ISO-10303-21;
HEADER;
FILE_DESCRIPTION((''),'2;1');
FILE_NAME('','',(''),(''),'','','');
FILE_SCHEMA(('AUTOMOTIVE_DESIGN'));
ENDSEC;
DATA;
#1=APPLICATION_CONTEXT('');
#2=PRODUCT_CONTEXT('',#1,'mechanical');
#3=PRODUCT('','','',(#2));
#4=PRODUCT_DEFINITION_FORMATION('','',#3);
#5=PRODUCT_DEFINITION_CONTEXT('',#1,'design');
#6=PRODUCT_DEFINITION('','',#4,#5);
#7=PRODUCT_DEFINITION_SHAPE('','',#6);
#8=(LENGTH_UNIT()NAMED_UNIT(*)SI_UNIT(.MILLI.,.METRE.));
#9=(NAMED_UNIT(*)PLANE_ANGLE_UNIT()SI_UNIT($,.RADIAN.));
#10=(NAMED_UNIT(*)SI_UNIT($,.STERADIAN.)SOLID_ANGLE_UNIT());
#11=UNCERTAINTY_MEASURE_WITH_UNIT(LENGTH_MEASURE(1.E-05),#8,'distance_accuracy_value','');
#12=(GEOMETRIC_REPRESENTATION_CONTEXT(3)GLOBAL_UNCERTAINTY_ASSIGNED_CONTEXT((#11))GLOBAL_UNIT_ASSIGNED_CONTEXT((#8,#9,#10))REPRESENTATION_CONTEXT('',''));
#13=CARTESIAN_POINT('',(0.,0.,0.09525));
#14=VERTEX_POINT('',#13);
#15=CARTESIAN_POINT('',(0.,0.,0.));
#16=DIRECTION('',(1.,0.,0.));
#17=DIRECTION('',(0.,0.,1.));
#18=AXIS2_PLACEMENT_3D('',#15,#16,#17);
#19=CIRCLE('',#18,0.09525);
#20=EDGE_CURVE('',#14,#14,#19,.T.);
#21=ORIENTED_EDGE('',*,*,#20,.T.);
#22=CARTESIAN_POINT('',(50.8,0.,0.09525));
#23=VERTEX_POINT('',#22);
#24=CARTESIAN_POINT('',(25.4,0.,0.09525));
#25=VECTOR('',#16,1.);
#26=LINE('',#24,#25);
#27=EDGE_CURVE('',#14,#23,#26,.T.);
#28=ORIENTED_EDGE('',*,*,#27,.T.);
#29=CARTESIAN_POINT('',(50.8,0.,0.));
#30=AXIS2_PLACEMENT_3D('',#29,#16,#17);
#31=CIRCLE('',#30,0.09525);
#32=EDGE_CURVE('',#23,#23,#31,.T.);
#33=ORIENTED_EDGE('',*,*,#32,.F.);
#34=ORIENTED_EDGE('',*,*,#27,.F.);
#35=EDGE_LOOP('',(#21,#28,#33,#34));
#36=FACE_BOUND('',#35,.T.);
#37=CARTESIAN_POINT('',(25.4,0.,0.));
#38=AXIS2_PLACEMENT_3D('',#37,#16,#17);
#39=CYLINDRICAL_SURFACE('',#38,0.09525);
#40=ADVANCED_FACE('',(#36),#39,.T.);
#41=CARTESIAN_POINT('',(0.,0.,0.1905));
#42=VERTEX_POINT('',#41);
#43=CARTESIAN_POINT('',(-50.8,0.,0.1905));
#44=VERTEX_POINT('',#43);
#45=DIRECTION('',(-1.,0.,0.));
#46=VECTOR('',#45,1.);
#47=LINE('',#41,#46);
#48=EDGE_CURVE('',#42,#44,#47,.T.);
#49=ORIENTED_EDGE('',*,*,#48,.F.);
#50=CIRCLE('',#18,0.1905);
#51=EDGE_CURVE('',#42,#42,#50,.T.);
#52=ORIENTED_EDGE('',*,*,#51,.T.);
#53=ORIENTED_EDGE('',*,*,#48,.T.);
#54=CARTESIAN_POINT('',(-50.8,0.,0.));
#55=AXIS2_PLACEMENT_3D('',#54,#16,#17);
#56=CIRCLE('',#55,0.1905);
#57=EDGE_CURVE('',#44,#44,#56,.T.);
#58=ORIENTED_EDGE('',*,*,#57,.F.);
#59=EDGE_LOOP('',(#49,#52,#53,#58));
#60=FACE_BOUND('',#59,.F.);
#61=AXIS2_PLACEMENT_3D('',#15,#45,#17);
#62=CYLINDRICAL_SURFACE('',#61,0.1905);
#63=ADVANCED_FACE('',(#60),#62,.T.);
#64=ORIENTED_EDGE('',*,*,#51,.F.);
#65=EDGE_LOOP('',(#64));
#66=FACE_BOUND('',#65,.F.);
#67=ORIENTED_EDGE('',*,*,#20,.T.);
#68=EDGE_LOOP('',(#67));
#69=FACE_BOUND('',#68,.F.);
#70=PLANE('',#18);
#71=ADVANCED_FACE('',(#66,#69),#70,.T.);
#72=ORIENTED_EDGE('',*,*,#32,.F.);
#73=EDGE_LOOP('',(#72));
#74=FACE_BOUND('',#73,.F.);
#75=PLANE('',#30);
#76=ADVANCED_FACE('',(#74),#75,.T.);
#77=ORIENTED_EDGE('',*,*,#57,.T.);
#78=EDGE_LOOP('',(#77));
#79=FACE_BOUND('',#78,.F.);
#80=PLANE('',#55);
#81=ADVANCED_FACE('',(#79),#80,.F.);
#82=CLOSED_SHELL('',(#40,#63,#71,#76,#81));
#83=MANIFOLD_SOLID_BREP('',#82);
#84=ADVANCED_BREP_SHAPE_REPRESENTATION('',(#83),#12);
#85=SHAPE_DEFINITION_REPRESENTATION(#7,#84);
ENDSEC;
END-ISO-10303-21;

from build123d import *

# Parameters (mm, degrees)
F0_W = 50.8
F0_H = 0.09525


with BuildPart() as f1:
    # F0 (on Front) → F1 (revolve)
    with BuildSketch(Plane.XZ):
        Polygon((0, 0.1905), (-50.8, 0.1905), (-50.8, 0), (0, 0), (0, 0.09525), align=None)
        with Locations((25.4, 0.047625)):
            Rectangle(F0_W, F0_H)
    revolve(axis=Axis((-25.4, 0, 0), (1, 0, 0)))


solid = f1.part
